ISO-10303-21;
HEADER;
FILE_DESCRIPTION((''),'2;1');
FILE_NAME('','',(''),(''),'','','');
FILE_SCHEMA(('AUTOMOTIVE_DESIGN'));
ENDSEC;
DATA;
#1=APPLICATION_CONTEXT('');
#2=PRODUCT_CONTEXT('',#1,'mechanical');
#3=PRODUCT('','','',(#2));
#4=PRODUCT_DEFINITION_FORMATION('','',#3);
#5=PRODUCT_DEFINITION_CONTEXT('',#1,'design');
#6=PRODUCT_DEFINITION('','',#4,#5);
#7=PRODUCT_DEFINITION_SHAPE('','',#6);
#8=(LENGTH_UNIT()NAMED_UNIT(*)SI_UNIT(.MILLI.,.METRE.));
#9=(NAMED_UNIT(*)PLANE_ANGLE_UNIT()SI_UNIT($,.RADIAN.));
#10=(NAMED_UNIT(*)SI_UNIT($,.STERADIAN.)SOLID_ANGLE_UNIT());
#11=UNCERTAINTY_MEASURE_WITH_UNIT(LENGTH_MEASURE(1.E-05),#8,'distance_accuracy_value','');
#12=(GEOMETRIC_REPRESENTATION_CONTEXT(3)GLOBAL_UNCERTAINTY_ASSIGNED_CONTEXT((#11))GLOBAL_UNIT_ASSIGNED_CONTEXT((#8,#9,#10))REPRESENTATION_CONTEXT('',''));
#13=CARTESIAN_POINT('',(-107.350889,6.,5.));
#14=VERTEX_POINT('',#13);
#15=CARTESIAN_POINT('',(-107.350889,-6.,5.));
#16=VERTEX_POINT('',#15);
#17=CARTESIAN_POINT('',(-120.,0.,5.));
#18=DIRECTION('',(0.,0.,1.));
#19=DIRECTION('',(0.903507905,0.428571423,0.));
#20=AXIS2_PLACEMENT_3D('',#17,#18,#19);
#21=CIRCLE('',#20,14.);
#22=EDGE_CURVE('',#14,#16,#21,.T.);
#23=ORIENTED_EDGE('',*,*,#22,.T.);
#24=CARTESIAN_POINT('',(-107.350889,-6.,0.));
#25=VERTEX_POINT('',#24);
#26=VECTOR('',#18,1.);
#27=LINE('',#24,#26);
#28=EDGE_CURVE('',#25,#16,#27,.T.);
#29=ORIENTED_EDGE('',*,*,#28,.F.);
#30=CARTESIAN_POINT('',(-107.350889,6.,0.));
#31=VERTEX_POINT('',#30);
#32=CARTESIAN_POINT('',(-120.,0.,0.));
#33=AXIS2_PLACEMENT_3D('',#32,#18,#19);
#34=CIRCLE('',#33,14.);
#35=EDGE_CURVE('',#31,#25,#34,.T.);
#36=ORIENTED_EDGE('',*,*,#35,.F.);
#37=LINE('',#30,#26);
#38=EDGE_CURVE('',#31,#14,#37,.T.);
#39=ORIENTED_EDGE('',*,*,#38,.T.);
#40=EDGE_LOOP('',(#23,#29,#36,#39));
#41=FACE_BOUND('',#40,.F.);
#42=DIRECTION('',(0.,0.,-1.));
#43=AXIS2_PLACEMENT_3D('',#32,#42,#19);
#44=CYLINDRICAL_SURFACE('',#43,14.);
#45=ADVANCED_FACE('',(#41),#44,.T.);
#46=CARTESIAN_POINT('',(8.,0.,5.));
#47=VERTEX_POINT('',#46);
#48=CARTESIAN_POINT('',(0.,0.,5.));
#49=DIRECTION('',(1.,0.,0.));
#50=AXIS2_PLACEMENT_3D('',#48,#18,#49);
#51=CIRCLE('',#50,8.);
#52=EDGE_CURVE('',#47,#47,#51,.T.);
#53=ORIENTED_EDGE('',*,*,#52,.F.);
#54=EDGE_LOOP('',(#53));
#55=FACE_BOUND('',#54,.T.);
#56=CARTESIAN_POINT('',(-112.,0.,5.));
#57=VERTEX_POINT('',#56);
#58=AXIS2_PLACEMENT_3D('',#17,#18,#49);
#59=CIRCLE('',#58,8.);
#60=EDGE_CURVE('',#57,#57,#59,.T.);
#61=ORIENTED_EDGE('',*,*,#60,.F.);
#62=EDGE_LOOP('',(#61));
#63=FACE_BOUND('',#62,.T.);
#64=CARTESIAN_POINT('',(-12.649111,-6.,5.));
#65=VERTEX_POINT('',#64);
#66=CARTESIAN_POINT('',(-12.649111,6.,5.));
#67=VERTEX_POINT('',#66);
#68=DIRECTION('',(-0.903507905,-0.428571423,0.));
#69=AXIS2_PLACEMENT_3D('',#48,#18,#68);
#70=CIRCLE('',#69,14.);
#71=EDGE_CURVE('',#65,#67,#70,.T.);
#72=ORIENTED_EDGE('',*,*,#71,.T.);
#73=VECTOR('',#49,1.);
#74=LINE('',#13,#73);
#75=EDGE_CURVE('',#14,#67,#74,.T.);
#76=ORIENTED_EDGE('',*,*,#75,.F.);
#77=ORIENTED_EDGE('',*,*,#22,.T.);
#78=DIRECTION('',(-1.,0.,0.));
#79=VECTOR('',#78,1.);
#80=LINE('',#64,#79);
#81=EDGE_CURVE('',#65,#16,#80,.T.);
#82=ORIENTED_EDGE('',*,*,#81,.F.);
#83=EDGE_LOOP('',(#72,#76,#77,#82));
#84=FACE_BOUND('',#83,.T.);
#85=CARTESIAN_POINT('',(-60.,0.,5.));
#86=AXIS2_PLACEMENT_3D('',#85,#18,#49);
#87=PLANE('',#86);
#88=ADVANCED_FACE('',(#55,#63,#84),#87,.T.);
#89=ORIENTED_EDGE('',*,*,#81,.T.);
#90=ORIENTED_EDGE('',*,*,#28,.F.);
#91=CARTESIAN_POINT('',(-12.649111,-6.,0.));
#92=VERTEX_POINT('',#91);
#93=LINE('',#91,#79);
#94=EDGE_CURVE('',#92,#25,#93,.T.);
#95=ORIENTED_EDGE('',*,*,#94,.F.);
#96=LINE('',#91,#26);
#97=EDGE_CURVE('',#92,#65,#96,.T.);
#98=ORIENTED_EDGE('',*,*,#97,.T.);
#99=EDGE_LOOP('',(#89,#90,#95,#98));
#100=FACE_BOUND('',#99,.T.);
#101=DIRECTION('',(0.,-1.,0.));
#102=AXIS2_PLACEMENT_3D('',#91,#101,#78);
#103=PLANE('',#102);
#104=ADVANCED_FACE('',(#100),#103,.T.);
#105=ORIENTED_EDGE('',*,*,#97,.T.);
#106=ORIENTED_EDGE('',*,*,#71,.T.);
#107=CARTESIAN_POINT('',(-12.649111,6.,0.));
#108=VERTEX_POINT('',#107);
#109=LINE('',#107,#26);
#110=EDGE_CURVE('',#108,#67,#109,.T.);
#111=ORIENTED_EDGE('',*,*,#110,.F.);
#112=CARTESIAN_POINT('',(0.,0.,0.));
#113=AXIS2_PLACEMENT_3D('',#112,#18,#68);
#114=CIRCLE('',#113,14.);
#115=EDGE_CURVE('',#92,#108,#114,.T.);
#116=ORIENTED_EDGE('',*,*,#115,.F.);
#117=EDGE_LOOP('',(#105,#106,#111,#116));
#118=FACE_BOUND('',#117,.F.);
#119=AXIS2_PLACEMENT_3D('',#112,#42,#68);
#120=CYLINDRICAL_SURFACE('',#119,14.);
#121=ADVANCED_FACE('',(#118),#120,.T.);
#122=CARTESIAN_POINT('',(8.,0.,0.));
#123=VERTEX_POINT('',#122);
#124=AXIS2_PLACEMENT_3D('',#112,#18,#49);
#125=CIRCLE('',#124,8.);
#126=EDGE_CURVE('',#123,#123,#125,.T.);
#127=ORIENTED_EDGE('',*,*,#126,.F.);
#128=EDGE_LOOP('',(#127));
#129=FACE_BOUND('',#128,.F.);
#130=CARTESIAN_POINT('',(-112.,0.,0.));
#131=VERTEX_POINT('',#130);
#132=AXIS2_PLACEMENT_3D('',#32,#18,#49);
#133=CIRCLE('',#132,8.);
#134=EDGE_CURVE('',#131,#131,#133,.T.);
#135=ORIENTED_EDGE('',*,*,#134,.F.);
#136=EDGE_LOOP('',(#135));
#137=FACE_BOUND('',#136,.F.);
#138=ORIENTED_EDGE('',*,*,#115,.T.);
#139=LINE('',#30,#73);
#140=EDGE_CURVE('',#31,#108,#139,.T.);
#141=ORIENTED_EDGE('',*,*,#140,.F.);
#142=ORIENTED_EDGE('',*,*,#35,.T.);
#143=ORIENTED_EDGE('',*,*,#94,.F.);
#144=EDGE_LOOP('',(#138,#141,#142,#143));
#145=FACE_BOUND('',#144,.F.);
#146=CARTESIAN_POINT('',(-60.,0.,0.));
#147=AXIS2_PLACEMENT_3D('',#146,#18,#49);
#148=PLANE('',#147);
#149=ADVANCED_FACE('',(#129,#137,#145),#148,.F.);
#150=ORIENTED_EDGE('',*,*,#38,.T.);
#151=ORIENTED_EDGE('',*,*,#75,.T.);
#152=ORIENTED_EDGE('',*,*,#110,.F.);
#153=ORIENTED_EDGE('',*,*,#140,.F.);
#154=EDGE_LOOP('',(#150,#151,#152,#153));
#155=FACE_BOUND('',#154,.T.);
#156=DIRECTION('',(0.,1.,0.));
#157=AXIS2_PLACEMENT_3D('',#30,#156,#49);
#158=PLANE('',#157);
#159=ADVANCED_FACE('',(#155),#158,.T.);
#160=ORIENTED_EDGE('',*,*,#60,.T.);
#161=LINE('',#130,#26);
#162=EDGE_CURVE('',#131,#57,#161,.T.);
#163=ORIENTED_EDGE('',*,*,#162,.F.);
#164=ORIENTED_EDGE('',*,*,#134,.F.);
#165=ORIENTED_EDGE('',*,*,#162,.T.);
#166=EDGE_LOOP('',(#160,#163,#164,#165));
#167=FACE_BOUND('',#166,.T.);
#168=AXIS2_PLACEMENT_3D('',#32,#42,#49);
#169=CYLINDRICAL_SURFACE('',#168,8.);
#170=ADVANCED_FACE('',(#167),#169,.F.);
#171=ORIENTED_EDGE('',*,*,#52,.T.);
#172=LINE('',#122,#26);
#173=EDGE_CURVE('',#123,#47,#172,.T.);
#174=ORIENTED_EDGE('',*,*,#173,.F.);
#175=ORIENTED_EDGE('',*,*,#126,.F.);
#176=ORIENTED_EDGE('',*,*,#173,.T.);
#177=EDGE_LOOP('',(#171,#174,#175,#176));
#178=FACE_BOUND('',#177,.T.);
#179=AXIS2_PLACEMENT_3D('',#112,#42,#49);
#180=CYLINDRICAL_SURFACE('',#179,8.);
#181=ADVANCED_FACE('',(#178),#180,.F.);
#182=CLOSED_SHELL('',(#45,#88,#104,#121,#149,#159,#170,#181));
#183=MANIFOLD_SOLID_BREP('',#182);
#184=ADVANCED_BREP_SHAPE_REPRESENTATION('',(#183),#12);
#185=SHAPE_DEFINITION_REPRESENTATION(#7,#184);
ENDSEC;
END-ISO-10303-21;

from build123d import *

# Parameters (mm, degrees)
SKETCH_R  = 8
PAD_DEPTH = 5


with BuildPart() as part:
    # Sketch → Pad (new body)
    with BuildSketch(Plane.XY):
        with BuildLine():
            ThreePointArc((-12.649111, -6), (14, 0), (-12.649111, 6))
            Line((-107.350889, 6), (-12.649111, 6))
            ThreePointArc((-107.350889, 6), (-134, 0), (-107.350889, -6))
            Line((-12.649111, -6), (-107.350889, -6))
        make_face()
        Circle(SKETCH_R, mode=Mode.SUBTRACT)
        with Locations((-120, 0)):
            Circle(SKETCH_R, mode=Mode.SUBTRACT)
    extrude(amount=PAD_DEPTH)


solid = part.part
